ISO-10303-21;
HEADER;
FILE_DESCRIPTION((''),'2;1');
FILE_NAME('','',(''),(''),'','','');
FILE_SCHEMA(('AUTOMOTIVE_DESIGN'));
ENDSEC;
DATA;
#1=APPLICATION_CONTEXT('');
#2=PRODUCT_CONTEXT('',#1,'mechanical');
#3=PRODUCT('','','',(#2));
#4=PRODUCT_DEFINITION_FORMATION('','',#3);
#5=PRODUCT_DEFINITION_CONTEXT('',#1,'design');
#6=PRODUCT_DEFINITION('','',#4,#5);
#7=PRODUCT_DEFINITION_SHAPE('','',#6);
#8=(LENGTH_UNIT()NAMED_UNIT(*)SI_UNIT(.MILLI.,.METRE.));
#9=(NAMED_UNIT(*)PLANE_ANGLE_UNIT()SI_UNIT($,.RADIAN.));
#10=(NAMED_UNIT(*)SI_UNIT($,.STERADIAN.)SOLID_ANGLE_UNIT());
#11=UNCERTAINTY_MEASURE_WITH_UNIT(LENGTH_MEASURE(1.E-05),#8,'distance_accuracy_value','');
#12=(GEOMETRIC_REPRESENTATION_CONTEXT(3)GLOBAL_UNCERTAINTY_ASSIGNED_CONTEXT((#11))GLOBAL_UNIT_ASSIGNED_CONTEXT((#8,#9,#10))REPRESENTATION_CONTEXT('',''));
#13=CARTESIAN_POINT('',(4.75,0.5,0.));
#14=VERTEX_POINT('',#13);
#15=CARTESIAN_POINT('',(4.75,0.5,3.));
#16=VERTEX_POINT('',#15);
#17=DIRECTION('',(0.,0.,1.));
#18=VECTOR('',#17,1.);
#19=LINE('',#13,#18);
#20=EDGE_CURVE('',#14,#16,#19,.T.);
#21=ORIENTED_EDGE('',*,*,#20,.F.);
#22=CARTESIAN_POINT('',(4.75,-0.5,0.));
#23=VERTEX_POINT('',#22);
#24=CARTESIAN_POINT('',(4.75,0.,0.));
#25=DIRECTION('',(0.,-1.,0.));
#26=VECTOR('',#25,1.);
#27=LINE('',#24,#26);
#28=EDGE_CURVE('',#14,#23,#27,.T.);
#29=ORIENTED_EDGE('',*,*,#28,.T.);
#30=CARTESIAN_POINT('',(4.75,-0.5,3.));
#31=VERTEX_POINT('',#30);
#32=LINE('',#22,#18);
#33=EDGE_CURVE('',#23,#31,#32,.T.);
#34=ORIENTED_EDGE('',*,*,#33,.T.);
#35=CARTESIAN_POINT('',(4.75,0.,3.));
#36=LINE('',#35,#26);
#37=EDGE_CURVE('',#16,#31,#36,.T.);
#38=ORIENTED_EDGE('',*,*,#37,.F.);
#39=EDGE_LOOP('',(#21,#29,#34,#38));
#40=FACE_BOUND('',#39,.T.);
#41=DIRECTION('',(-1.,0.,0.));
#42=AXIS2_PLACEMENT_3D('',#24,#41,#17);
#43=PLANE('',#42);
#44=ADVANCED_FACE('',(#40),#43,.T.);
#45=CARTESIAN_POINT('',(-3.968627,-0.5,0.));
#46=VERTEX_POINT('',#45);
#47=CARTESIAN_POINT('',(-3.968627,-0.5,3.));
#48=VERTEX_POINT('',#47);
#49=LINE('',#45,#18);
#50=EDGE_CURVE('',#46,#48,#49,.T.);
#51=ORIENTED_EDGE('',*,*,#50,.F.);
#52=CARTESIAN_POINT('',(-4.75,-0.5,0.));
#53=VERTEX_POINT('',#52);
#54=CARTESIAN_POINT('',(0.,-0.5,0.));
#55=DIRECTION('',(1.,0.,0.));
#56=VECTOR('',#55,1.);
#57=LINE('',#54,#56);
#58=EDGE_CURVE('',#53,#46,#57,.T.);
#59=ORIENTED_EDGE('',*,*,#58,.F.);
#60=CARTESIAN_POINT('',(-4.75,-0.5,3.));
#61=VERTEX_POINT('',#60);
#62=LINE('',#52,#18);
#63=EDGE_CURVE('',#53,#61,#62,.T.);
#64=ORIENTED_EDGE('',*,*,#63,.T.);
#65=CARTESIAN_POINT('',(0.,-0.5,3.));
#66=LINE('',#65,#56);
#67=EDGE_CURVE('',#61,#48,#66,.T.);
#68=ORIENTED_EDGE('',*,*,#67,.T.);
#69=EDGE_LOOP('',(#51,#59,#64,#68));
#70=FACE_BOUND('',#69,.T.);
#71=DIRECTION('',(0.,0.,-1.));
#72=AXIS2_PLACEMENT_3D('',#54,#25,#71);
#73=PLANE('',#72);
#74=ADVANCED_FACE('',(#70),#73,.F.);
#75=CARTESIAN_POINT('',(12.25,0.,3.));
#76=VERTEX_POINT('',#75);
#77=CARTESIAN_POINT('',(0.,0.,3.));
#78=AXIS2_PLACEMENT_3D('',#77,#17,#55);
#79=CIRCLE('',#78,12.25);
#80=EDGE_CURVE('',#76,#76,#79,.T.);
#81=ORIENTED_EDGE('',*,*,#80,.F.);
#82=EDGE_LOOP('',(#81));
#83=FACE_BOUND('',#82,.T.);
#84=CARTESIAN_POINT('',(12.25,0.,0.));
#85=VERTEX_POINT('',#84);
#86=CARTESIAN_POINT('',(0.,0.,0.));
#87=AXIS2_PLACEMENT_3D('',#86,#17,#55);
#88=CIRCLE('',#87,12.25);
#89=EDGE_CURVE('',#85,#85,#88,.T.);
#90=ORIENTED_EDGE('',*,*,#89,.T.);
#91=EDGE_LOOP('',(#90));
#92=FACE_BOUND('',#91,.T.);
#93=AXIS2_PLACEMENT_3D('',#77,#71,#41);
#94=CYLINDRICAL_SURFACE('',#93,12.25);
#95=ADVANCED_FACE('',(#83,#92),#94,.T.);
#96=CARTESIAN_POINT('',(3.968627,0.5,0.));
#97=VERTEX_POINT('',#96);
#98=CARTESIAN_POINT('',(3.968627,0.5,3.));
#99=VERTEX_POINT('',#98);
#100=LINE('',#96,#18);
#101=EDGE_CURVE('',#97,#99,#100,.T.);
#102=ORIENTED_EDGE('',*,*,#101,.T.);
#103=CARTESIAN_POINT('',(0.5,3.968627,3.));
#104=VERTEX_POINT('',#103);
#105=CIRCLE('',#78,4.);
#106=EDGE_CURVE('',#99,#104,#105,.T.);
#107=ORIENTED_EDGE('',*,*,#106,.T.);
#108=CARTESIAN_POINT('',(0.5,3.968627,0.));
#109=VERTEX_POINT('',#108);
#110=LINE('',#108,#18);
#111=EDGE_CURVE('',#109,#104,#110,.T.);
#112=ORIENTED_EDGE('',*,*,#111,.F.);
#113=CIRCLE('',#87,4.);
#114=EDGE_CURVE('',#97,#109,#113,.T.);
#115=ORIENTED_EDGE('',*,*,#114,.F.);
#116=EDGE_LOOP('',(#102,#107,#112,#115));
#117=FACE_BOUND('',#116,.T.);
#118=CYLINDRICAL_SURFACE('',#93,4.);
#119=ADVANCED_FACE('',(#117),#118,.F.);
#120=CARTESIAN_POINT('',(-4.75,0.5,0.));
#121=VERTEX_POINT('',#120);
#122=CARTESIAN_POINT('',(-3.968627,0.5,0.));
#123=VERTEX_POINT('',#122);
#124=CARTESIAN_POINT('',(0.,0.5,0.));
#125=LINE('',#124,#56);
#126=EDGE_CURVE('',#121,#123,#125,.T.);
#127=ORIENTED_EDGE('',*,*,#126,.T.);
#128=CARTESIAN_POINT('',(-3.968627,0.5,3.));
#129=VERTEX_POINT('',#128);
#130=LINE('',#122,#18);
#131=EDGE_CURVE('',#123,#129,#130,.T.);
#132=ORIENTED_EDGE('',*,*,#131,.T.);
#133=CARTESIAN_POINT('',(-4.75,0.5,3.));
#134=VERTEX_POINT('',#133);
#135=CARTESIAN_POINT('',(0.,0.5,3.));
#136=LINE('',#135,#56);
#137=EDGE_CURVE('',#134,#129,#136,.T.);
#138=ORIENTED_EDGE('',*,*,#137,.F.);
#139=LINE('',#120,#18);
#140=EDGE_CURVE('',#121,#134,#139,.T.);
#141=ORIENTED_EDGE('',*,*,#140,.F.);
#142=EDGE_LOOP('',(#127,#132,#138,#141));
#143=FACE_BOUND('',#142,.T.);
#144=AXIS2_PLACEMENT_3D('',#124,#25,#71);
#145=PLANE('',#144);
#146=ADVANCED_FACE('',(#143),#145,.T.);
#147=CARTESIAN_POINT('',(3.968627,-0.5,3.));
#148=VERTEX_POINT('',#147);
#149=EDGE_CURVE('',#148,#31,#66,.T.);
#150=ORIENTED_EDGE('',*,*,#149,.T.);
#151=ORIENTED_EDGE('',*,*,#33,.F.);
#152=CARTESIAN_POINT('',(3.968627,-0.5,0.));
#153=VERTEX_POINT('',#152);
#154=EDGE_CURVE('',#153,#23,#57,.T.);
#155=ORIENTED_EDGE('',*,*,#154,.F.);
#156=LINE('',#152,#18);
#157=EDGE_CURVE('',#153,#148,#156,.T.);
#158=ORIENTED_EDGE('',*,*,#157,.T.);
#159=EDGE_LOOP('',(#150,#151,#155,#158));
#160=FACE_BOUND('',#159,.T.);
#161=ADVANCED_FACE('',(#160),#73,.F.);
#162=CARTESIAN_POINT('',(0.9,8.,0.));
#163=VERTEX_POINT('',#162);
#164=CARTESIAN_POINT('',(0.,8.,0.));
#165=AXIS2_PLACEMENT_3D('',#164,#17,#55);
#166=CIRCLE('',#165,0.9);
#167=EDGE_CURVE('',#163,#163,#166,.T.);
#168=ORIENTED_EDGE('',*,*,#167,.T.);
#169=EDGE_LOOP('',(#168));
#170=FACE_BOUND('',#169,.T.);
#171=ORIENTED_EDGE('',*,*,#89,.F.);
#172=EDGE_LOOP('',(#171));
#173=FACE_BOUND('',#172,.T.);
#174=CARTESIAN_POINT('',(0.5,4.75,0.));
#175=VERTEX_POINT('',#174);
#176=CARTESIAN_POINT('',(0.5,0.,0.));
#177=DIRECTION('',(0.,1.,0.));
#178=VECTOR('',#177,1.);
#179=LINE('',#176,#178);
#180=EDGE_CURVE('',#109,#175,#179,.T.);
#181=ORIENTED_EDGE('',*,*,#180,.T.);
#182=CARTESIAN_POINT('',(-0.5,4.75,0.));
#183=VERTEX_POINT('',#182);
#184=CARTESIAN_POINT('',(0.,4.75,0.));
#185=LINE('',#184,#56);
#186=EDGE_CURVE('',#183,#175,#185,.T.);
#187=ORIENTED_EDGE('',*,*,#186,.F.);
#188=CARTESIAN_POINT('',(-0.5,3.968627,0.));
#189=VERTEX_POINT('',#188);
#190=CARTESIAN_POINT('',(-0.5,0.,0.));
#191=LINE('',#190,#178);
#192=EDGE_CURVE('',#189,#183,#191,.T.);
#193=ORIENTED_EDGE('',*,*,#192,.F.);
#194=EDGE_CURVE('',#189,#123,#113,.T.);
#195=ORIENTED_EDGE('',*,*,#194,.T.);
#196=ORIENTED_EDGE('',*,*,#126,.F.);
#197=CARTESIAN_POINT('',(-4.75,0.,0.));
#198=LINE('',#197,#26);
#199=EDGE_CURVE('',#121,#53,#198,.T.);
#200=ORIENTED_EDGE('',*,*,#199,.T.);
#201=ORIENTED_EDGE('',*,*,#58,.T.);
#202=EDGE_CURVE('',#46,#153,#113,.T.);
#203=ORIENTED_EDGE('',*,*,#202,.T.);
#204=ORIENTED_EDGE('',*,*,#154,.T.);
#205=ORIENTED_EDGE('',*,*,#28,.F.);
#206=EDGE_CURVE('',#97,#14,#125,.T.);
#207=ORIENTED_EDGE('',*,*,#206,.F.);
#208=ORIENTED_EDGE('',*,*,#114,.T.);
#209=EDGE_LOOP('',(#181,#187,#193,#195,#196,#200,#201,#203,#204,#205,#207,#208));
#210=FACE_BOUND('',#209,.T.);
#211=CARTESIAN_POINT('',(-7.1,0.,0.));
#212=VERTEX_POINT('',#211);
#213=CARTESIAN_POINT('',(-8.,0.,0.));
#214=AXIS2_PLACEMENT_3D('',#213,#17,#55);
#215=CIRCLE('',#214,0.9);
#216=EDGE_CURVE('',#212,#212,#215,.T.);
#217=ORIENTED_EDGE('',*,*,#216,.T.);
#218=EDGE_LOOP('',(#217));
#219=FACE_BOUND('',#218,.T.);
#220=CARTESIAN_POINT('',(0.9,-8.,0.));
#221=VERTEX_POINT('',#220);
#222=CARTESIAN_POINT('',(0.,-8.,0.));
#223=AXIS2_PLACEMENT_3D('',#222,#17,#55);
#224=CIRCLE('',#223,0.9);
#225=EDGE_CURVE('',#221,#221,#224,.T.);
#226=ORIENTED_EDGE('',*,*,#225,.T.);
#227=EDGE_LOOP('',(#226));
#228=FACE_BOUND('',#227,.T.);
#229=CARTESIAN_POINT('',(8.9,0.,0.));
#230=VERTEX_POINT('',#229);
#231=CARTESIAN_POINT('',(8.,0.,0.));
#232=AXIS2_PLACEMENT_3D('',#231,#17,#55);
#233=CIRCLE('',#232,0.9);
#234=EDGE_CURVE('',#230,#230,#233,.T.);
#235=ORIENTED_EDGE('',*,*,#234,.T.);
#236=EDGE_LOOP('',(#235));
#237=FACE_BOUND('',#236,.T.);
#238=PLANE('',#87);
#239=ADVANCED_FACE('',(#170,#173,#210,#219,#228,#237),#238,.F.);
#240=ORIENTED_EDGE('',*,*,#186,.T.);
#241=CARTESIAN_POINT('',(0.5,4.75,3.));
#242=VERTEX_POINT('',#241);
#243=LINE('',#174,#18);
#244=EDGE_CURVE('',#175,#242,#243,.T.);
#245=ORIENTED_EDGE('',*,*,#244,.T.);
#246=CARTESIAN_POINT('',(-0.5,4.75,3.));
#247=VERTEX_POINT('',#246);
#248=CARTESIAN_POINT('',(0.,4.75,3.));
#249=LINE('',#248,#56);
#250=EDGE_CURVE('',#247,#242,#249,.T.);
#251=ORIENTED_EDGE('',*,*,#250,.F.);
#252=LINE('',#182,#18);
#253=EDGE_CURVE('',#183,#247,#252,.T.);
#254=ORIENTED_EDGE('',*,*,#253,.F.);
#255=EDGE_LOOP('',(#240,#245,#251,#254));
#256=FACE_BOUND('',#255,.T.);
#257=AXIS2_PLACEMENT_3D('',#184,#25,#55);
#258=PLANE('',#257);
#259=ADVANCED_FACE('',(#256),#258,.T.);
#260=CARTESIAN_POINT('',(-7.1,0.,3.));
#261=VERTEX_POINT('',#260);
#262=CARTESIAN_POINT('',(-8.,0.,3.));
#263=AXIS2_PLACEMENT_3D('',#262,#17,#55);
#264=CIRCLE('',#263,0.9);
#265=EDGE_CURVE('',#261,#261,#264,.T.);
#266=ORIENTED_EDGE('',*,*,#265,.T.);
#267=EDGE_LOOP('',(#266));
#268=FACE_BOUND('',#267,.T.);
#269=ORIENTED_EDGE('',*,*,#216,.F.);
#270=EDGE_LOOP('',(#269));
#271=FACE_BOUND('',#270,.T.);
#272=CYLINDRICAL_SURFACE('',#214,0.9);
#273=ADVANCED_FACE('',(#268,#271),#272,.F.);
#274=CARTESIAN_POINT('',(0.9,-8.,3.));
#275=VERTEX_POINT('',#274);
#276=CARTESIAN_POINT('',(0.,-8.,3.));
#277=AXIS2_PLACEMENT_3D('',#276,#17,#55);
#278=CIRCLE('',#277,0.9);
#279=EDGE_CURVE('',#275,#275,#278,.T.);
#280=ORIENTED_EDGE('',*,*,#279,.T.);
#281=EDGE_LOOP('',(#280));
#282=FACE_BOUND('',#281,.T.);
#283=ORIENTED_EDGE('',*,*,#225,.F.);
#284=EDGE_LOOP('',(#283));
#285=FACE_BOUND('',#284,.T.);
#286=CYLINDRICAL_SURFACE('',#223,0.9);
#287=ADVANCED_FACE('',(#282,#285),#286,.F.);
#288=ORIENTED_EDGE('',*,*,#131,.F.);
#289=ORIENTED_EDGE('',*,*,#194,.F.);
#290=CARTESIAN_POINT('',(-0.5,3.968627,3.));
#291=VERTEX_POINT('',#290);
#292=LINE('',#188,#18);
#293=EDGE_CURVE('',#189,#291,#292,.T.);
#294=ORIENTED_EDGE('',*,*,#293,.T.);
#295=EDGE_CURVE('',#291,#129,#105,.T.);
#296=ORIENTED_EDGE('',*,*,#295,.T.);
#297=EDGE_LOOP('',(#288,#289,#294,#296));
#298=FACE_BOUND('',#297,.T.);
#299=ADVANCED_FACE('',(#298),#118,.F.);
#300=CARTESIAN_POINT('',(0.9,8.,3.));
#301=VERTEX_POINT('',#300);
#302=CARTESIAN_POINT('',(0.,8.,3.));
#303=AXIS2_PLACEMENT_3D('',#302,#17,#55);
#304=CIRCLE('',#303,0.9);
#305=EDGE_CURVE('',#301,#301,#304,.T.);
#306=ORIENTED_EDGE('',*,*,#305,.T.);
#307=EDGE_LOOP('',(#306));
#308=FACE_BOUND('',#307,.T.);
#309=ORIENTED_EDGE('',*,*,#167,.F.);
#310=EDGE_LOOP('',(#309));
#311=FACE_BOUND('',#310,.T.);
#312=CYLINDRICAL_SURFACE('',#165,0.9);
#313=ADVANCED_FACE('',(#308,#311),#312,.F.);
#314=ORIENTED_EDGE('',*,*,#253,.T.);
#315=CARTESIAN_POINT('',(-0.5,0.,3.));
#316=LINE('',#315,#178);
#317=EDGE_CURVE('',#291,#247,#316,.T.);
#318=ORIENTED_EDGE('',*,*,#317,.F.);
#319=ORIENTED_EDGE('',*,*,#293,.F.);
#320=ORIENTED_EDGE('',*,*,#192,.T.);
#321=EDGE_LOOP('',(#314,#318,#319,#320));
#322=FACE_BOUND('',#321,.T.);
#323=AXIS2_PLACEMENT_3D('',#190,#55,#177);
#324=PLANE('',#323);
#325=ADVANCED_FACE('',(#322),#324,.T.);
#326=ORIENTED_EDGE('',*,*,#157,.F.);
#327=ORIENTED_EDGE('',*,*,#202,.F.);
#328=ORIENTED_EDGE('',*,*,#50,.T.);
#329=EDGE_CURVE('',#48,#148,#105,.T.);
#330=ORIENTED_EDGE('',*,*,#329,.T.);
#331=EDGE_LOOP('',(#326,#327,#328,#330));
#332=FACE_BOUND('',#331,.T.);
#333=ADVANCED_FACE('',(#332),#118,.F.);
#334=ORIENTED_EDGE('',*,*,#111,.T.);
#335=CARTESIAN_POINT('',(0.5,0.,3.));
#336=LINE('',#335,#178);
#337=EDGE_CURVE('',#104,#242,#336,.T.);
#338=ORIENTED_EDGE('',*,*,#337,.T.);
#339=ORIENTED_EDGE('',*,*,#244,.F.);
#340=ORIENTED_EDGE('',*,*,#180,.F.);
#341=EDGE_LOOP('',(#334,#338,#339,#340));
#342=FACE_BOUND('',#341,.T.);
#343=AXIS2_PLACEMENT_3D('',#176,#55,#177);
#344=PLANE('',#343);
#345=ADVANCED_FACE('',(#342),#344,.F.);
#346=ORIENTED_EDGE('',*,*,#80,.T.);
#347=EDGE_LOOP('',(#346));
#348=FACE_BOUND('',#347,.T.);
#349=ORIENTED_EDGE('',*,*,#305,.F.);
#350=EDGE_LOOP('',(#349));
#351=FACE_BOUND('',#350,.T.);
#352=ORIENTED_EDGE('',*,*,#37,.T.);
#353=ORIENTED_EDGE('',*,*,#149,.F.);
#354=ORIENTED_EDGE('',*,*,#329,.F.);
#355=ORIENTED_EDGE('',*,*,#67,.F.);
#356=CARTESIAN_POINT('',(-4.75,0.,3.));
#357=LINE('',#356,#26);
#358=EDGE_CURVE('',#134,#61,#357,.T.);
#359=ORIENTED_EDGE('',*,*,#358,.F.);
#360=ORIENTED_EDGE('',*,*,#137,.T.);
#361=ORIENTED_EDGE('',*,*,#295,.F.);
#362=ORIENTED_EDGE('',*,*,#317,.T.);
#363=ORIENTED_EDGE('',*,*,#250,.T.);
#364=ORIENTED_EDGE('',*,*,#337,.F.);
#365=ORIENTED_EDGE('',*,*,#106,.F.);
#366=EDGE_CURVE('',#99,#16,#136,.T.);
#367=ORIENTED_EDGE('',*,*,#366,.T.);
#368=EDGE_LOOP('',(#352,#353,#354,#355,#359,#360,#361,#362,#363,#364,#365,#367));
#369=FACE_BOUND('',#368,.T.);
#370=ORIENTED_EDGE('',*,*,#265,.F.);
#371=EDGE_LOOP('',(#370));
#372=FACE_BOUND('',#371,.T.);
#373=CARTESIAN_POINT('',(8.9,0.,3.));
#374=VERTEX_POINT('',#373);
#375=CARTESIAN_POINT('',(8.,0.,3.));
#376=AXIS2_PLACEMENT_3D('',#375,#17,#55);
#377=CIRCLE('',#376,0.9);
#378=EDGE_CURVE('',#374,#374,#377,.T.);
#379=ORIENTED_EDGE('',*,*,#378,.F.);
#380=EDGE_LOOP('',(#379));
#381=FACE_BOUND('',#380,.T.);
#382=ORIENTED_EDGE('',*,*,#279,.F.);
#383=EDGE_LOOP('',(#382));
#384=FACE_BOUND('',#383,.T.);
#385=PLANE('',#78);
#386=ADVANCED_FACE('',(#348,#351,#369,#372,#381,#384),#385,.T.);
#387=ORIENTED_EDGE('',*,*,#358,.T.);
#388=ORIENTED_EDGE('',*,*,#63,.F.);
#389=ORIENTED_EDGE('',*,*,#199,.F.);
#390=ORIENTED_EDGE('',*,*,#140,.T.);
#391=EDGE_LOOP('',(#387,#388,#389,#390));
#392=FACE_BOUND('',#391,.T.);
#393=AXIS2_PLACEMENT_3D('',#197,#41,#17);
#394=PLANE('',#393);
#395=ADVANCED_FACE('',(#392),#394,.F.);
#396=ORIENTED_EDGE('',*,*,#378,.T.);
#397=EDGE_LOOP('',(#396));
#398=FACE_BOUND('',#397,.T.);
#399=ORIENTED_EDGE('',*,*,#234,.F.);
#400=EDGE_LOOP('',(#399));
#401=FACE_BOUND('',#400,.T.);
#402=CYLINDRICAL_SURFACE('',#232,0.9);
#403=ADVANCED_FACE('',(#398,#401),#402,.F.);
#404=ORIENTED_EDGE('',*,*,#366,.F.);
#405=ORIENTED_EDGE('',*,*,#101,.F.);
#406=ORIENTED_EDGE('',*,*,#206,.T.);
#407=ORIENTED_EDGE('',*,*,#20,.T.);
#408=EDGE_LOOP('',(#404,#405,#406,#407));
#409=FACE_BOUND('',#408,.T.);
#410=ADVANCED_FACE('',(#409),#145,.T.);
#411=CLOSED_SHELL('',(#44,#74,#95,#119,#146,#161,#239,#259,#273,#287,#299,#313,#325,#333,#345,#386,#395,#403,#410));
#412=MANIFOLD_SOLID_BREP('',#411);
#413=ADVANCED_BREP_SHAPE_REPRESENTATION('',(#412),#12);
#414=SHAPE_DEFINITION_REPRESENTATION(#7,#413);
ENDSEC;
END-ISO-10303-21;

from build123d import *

# Parameters (mm, degrees)
BOSS_EXTRUDE1_DEPTH = 3
CUT_EXTRUDE1_START  = -3
CUT_EXTRUDE1_DEPTH  = 3
SKETCH5_R           = 0.9
CUT_EXTRUDE2_DEPTH  = 3


with BuildPart() as part:
    # Sketch1 → Boss-Extrude1 (new body)
    with BuildSketch(Plane.XY):
        with BuildLine():
            ThreePointArc((4, 0), (2.747276725, -2.907313295), (-0.226235298, -3.993597074))
            Line((-0.226235298, -3.993597074), (-0.6928456, -12.230391039))
            ThreePointArc((-0.6928456, -12.230391039), (8.41353497, -8.903646966), (12.25, 0))
            ThreePointArc((12.25, 0), (-5.47503582, 10.958397819), (-7.35595637, -9.795529893))
            Line((-7.35595637, -9.795529893), (-2.401944937, -3.198540373))
            ThreePointArc((-2.401944937, -3.198540373), (-1.787766798, 3.578252349), (4, 0))
        make_face()
        with BuildLine():
            Line((-0.6928456, -12.230391039), (-0.226235298, -3.993597074))
            ThreePointArc((-0.226235298, -3.993597074), (-1.372902628, -3.757011894), (-2.401944937, -3.198540373))
            Line((-2.401944937, -3.198540373), (-7.35595637, -9.795529893))
            ThreePointArc((-7.35595637, -9.795529893), (-4.204514299, -11.505848926), (-0.6928456, -12.230391039))
        make_face()
        with BuildLine():
            Line((-0.226235298, -3.993597074), (-0.6928456, -12.230391039))
            ThreePointArc((-0.6928456, -12.230391039), (4.204514299, 11.505848926), (-7.35595637, -9.795529893))
            Line((-7.35595637, -9.795529893), (-2.401944937, -3.198540373))
            ThreePointArc((-2.401944937, -3.198540373), (1.372902628, 3.757011894), (-0.226235298, -3.993597074))
        make_face()
    extrude(amount=BOSS_EXTRUDE1_DEPTH)

    # Sketch2 → Cut-Extrude1 (cut)
    with BuildSketch(Plane.XY.offset(3).offset(CUT_EXTRUDE1_START)):
        with BuildLine():
            Line((-3.968626967, 0.5), (-4.75, 0.5))
            Line((-4.75, 0.5), (-4.75, -0.5))
            Line((-4.75, -0.5), (-3.968626967, -0.5))
            ThreePointArc((-3.968626967, -0.5), (-4, 0), (-3.968626967, 0.5))
        make_face()
        with BuildLine():
            Line((-0.5, 4.75), (-0.5, 3.968626967))
            ThreePointArc((-0.5, 3.968626967), (0, 4), (0.5, 3.968626967))
            Line((0.5, 3.968626967), (0.5, 4.75))
            Line((0.5, 4.75), (-0.5, 4.75))
        make_face()
        with BuildLine():
            ThreePointArc((3.968626967, 0.5), (4, 0), (3.968626967, -0.5))
            Line((3.968626967, -0.5), (4.75, -0.5))
            Line((4.75, -0.5), (4.75, 0.5))
            Line((4.75, 0.5), (3.968626967, 0.5))
        make_face()
    extrude(amount=CUT_EXTRUDE1_DEPTH, mode=Mode.SUBTRACT)

    # Sketch5 → Cut-Extrude2 (cut)
    with BuildSketch(Plane.XY.offset(3)):
        with Locations((0, -8)):
            Circle(SKETCH5_R)
        with Locations((-8, 0)):
            Circle(SKETCH5_R)
        with Locations((0, 8)):
            Circle(SKETCH5_R)
        with Locations((8, 0)):
            Circle(SKETCH5_R)
    extrude(amount=-CUT_EXTRUDE2_DEPTH, mode=Mode.SUBTRACT)


solid = part.part
